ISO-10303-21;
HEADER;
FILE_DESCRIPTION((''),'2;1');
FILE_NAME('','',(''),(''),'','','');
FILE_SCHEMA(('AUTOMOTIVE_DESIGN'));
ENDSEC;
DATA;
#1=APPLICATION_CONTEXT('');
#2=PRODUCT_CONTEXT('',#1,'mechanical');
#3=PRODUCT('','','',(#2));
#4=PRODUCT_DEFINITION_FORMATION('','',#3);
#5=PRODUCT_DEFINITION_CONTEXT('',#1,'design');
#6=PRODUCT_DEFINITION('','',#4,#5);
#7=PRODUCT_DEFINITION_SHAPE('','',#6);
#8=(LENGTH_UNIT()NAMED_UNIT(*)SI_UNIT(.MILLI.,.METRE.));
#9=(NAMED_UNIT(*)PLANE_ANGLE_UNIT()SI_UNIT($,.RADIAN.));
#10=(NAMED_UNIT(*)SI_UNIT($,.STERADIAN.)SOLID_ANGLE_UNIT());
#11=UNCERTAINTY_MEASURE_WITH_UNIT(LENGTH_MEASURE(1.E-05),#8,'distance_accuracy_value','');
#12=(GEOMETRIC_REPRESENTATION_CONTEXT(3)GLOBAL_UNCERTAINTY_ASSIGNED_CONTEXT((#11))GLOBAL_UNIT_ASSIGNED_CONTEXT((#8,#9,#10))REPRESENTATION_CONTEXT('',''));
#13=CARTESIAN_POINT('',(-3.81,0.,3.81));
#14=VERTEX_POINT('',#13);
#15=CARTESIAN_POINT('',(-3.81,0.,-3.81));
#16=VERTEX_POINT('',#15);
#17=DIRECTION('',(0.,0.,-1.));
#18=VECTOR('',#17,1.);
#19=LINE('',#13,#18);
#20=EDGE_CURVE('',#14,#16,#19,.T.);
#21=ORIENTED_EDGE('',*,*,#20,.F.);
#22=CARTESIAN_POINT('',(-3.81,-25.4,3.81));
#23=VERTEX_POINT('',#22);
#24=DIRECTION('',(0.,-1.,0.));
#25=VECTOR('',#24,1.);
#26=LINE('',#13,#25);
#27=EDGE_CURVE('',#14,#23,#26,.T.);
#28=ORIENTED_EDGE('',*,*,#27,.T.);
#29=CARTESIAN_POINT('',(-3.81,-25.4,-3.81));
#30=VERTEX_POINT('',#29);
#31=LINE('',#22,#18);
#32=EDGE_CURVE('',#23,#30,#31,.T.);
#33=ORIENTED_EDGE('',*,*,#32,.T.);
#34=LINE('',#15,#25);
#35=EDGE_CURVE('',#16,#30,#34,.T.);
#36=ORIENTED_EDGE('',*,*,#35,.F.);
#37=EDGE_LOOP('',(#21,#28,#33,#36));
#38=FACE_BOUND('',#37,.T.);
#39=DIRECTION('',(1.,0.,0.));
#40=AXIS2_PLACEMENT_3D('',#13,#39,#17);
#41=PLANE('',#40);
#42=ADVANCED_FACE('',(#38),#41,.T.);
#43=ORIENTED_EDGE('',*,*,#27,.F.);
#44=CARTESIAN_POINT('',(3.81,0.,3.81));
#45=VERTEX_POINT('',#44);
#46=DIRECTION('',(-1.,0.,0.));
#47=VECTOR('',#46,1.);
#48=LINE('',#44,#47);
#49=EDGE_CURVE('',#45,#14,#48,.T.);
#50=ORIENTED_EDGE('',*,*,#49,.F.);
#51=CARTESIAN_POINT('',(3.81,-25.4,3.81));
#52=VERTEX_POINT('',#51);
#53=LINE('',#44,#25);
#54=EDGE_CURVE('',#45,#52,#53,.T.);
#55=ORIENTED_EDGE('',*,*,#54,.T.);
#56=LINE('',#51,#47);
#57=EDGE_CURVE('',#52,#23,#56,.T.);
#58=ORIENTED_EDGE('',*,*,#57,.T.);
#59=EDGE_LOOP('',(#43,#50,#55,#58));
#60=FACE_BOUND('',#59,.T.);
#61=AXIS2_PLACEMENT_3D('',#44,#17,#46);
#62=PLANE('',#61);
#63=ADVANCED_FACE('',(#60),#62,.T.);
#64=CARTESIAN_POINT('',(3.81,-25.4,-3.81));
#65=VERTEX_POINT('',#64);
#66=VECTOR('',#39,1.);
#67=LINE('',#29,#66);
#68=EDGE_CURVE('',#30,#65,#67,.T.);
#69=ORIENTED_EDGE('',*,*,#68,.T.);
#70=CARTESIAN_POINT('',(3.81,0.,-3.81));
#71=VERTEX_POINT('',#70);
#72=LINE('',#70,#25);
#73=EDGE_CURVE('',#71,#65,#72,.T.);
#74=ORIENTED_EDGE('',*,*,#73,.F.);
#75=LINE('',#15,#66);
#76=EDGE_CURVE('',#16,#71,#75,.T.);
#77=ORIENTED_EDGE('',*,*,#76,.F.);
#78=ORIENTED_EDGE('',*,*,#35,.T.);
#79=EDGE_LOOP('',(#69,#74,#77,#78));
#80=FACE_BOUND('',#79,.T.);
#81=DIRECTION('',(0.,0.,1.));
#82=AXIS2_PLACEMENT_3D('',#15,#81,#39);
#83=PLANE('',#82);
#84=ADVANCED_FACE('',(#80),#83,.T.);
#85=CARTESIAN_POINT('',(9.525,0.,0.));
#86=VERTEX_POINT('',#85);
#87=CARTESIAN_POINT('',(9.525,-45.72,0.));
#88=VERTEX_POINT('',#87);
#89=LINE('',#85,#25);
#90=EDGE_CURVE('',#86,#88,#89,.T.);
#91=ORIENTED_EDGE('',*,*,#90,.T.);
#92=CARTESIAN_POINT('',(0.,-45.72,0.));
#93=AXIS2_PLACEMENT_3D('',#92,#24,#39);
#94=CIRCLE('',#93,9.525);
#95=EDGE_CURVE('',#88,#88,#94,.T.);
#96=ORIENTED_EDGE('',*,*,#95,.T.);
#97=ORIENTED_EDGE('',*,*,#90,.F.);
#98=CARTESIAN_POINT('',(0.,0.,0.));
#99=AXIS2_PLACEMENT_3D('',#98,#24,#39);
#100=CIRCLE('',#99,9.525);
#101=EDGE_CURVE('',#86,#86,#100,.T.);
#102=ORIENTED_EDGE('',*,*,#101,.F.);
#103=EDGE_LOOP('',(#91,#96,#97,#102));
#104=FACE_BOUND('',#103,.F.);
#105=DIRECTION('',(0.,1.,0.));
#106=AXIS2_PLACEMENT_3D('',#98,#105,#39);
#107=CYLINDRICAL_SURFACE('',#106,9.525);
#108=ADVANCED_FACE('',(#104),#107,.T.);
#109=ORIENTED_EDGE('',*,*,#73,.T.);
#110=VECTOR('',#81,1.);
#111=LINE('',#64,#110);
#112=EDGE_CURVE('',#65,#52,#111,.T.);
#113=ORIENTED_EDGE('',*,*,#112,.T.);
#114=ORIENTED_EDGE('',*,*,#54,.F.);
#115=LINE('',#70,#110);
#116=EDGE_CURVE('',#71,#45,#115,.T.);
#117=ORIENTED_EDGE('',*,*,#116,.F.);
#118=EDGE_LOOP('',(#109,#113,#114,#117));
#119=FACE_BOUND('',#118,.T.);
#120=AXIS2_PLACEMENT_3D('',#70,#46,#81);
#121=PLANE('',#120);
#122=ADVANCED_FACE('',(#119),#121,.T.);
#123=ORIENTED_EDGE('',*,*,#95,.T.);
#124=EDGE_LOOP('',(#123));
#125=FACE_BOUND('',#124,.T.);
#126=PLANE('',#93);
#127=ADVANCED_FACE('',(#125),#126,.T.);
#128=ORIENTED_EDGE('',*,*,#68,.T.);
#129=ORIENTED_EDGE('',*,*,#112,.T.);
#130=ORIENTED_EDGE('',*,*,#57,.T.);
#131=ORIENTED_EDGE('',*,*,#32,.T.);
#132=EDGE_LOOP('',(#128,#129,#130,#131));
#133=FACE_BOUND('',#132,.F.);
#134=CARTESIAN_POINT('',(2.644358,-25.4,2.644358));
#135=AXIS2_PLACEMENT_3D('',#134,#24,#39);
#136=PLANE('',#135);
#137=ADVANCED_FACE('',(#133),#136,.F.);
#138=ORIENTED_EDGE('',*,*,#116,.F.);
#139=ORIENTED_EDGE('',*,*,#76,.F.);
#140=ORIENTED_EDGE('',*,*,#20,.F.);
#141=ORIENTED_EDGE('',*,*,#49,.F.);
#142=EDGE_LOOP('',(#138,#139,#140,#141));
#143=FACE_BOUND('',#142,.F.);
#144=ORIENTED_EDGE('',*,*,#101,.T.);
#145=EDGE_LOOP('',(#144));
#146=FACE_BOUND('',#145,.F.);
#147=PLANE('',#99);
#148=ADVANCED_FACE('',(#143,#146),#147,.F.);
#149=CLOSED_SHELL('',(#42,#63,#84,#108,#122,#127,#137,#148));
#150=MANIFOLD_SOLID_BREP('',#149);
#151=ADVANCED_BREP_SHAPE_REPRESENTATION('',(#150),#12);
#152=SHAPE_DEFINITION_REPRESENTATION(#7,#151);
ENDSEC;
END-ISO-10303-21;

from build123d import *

# Parameters (mm, degrees)
F0_R     = 9.525
F1_DEPTH = 45.72
F3_DEPTH = 25.4


with BuildPart() as f1:
    # F0 (on Front) → F1 (new body)
    with BuildSketch(Plane.XZ):
        Circle(F0_R)
    extrude(amount=F1_DEPTH)

    # F2 (on Front) → F3 (cut)
    with BuildSketch(Plane.XZ):
        with BuildLine():
            ThreePointArc((0, 3.81), (2.694077, 2.694077), (3.81, 0))
            Line((3.81, 0), (3.81, 3.81))
            Line((3.81, 3.81), (0, 3.81))
        make_face()
        with BuildLine():
            Line((0, -3.81), (3.81, -3.81))
            Line((3.81, -3.81), (3.81, 0))
            ThreePointArc((3.81, 0), (2.694077, -2.694077), (0, -3.81))
        make_face()
        with BuildLine():
            Line((-3.81, -3.81), (0, -3.81))
            ThreePointArc((0, -3.81), (-2.694077, -2.694077), (-3.81, 0))
            Line((-3.81, 0), (-3.81, -3.81))
        make_face()
        with BuildLine():
            ThreePointArc((-3.81, 0), (-2.694077, -2.694077), (0, -3.81))
            ThreePointArc((0, -3.81), (2.694077, -2.694077), (3.81, 0))
            ThreePointArc((3.81, 0), (2.694077, 2.694077), (0, 3.81))
            ThreePointArc((0, 3.81), (-2.694077, 2.694077), (-3.81, 0))
        make_face()
        with BuildLine():
            Line((-3.81, 3.81), (-3.81, 0))
            ThreePointArc((-3.81, 0), (-2.694077, 2.694077), (0, 3.81))
            Line((0, 3.81), (-3.81, 3.81))
        make_face()
    extrude(amount=F3_DEPTH, mode=Mode.SUBTRACT)


solid = f1.part
